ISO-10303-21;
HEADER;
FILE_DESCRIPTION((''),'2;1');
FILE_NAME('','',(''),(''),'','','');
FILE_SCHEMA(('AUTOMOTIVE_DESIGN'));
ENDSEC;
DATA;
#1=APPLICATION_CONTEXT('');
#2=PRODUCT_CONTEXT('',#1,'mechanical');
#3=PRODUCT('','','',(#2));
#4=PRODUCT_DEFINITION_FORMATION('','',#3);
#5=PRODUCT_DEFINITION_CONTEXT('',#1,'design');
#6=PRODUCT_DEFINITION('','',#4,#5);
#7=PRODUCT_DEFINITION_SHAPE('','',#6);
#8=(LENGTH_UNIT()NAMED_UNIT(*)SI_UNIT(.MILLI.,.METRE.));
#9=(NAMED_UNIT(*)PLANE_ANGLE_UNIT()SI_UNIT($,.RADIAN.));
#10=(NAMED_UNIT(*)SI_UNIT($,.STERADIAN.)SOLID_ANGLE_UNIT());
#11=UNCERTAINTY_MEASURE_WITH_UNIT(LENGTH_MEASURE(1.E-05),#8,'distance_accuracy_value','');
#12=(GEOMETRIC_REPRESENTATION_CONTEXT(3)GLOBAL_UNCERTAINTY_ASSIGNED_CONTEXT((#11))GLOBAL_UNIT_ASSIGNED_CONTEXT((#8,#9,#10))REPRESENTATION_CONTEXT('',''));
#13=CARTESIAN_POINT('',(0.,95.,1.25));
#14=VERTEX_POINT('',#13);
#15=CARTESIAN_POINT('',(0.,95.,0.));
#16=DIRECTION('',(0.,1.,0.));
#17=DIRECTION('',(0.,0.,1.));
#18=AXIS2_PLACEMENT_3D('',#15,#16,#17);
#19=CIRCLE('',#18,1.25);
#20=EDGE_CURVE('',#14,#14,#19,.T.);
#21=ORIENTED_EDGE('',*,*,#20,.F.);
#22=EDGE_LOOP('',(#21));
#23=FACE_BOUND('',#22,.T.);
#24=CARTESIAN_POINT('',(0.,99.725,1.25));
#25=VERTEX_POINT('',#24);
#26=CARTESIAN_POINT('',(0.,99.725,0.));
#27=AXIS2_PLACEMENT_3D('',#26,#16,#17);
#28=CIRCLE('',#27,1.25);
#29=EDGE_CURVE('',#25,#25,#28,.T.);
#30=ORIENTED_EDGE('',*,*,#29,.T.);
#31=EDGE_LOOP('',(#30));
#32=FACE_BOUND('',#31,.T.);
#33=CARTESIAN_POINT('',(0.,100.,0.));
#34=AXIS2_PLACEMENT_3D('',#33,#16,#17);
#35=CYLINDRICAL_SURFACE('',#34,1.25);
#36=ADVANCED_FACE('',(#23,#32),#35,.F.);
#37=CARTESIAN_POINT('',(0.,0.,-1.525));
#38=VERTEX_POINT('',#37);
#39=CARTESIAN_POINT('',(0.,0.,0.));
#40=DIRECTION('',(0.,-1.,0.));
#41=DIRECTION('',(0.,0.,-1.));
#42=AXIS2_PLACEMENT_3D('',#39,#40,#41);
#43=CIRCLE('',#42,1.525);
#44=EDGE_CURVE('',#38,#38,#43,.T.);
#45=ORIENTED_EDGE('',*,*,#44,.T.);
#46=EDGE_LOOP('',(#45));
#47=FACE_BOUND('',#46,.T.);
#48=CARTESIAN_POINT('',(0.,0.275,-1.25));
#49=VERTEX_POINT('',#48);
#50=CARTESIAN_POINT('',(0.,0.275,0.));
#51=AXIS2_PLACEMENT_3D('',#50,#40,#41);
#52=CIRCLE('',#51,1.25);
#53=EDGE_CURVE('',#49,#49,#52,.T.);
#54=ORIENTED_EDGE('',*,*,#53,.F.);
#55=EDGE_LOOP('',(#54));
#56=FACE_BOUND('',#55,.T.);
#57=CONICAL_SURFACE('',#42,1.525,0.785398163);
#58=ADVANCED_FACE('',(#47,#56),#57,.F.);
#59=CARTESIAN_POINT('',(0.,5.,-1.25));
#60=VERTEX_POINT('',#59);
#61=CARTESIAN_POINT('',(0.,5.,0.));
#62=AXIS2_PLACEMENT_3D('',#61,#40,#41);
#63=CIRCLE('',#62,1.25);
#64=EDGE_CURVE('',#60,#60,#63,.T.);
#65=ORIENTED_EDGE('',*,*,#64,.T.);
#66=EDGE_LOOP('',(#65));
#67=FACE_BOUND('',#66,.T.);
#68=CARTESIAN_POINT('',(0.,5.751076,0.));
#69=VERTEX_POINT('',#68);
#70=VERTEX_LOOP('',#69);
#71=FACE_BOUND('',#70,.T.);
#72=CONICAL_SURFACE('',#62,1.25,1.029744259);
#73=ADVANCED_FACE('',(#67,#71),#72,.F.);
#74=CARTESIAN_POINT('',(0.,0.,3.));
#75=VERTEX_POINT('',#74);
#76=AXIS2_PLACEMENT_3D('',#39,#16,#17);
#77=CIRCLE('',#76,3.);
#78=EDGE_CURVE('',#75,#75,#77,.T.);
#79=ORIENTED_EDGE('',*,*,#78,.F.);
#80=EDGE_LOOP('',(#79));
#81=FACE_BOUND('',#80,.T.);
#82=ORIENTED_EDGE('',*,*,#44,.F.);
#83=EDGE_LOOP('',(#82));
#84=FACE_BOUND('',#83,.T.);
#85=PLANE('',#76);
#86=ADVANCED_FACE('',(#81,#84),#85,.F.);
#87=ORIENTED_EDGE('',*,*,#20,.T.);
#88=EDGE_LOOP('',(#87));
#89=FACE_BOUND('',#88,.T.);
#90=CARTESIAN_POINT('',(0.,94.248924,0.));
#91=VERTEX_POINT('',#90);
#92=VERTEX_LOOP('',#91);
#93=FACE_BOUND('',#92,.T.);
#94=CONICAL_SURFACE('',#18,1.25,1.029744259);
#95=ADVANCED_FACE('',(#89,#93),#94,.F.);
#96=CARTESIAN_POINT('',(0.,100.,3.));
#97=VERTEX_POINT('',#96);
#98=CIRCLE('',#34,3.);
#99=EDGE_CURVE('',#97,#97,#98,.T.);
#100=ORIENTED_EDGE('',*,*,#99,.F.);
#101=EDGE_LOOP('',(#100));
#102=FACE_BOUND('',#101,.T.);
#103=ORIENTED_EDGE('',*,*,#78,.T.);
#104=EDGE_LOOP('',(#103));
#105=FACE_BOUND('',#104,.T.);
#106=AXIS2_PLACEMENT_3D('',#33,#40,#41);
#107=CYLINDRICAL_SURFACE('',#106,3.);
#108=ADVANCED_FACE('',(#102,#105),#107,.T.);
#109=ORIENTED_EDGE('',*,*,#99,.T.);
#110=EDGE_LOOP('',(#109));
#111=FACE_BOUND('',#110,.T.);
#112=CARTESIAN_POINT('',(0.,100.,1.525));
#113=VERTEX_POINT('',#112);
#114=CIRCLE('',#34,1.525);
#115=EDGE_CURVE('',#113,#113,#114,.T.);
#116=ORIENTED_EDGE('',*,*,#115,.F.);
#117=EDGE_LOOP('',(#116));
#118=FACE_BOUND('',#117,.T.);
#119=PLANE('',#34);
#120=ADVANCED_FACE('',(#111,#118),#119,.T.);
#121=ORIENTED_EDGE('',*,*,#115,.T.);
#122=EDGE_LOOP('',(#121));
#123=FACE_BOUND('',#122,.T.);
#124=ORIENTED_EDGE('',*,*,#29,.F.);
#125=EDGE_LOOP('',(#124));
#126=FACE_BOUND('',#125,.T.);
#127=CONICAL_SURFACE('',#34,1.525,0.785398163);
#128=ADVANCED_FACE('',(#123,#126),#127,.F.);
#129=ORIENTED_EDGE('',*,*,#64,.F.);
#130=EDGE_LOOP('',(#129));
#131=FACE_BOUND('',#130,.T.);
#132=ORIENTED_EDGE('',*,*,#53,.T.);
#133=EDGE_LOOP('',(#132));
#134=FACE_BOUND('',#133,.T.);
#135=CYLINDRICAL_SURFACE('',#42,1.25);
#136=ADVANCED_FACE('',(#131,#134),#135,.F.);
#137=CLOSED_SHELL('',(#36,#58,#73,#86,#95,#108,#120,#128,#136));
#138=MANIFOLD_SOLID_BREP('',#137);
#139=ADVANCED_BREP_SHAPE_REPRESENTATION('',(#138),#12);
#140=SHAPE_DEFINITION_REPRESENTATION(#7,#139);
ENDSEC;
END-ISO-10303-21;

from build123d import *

# Parameters (mm, degrees)
SKETCH1_R           = 3
BOSS_EXTRUDE1_DEPTH = 100


with BuildPart() as part:
    # Sketch1 → Boss-Extrude1 (new body)
    with BuildSketch(Plane(origin=(0, 0, 0), x_dir=(1, 0, 0), z_dir=(0, 1, 0))):
        Circle(SKETCH1_R)
    extrude(amount=BOSS_EXTRUDE1_DEPTH)

    # Sketch3 → M3x0.5 Tapped Hole1 (revolve, cut)
    with BuildSketch(Plane(origin=(0, 0, 0), x_dir=(0, 0, -1), z_dir=(1, 0, 0))):
        Polygon((0, 0), (0, 5.751075774), (1.25, 5), (1.25, 0.275), (1.525, 0), align=None)
    m3x0_5_tapped_hole1 = revolve(axis=Axis((0, -6.35, 0), (0, 1, 0)), mode=Mode.SUBTRACT)

    # Mirror1: M3x0.5 Tapped Hole1 across plane
    add(m3x0_5_tapped_hole1.mirror(Plane.ZX.offset(50)), mode=Mode.SUBTRACT)


solid = part.part
